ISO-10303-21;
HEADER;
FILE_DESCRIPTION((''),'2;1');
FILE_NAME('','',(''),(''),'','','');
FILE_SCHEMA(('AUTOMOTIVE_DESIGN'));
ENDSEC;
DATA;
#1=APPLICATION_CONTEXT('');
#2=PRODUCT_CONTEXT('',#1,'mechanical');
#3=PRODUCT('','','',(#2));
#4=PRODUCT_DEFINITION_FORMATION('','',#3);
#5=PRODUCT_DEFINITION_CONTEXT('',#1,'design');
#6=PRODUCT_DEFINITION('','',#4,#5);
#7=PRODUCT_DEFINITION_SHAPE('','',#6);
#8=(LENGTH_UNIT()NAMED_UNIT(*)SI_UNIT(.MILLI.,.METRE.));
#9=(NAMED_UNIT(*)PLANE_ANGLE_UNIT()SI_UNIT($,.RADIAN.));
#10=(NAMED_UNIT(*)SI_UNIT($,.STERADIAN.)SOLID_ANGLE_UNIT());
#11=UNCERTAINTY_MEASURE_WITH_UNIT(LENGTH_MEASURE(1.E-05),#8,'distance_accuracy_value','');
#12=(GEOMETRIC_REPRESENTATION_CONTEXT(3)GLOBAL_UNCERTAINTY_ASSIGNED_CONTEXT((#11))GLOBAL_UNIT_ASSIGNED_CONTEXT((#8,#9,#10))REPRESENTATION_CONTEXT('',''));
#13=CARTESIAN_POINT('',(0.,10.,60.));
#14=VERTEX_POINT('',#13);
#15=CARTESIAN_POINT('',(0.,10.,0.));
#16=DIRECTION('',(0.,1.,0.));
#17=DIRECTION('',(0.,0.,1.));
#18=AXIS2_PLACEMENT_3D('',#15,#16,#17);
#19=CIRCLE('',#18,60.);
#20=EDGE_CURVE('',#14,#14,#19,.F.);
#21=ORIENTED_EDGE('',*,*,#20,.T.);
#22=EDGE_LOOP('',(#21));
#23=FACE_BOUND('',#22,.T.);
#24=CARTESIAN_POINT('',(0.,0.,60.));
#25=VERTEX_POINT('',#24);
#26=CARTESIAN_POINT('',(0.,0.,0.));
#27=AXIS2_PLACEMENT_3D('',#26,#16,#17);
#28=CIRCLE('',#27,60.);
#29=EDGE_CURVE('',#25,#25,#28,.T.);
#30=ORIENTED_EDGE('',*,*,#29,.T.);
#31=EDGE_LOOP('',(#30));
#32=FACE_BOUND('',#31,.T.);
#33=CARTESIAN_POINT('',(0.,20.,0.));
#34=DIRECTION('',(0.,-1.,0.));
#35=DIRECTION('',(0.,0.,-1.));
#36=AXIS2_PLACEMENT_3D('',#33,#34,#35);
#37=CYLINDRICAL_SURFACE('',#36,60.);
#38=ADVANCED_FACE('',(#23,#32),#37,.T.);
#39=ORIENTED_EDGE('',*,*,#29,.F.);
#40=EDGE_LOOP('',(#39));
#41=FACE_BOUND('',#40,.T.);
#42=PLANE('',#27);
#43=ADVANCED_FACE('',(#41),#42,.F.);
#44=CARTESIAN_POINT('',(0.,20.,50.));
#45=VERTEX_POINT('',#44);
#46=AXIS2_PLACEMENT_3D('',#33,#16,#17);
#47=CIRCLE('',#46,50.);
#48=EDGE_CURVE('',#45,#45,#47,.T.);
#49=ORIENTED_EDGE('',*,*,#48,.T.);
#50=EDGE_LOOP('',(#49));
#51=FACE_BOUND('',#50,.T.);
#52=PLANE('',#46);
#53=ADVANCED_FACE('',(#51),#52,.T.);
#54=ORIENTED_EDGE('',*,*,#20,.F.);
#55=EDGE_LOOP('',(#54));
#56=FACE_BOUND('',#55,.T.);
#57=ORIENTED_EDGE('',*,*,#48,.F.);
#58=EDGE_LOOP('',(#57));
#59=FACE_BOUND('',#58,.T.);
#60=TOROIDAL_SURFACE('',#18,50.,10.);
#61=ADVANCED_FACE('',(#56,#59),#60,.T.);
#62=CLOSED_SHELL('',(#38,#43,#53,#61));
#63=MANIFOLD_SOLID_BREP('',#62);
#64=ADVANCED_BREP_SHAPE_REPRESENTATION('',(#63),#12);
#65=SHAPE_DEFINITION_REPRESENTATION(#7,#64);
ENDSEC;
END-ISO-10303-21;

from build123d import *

# Parameters (mm, degrees)
IZIM1_R                     = 60
Y_KSEKLIK_EKSTR_ZYON1_DEPTH = 20
RADYUS1_R                   = 10


with BuildPart() as part:
    # Çizim1 → Yükseklik-Ekstrüzyon1 (new body)
    with BuildSketch(Plane(origin=(0, 0, 0), x_dir=(1, 0, 0), z_dir=(0, 1, 0))):
        with Locations(Location((0, 0, 0), (0, 0, 270))):
            Circle(IZIM1_R)
    extrude(amount=Y_KSEKLIK_EKSTR_ZYON1_DEPTH)

    # Radyus1
    radyus1_edges = [part.edges().sort_by_distance(p)[0] for p in [
        (0, 20, -60),
    ]]
    fillet(radyus1_edges, radius=RADYUS1_R)


solid = part.part
